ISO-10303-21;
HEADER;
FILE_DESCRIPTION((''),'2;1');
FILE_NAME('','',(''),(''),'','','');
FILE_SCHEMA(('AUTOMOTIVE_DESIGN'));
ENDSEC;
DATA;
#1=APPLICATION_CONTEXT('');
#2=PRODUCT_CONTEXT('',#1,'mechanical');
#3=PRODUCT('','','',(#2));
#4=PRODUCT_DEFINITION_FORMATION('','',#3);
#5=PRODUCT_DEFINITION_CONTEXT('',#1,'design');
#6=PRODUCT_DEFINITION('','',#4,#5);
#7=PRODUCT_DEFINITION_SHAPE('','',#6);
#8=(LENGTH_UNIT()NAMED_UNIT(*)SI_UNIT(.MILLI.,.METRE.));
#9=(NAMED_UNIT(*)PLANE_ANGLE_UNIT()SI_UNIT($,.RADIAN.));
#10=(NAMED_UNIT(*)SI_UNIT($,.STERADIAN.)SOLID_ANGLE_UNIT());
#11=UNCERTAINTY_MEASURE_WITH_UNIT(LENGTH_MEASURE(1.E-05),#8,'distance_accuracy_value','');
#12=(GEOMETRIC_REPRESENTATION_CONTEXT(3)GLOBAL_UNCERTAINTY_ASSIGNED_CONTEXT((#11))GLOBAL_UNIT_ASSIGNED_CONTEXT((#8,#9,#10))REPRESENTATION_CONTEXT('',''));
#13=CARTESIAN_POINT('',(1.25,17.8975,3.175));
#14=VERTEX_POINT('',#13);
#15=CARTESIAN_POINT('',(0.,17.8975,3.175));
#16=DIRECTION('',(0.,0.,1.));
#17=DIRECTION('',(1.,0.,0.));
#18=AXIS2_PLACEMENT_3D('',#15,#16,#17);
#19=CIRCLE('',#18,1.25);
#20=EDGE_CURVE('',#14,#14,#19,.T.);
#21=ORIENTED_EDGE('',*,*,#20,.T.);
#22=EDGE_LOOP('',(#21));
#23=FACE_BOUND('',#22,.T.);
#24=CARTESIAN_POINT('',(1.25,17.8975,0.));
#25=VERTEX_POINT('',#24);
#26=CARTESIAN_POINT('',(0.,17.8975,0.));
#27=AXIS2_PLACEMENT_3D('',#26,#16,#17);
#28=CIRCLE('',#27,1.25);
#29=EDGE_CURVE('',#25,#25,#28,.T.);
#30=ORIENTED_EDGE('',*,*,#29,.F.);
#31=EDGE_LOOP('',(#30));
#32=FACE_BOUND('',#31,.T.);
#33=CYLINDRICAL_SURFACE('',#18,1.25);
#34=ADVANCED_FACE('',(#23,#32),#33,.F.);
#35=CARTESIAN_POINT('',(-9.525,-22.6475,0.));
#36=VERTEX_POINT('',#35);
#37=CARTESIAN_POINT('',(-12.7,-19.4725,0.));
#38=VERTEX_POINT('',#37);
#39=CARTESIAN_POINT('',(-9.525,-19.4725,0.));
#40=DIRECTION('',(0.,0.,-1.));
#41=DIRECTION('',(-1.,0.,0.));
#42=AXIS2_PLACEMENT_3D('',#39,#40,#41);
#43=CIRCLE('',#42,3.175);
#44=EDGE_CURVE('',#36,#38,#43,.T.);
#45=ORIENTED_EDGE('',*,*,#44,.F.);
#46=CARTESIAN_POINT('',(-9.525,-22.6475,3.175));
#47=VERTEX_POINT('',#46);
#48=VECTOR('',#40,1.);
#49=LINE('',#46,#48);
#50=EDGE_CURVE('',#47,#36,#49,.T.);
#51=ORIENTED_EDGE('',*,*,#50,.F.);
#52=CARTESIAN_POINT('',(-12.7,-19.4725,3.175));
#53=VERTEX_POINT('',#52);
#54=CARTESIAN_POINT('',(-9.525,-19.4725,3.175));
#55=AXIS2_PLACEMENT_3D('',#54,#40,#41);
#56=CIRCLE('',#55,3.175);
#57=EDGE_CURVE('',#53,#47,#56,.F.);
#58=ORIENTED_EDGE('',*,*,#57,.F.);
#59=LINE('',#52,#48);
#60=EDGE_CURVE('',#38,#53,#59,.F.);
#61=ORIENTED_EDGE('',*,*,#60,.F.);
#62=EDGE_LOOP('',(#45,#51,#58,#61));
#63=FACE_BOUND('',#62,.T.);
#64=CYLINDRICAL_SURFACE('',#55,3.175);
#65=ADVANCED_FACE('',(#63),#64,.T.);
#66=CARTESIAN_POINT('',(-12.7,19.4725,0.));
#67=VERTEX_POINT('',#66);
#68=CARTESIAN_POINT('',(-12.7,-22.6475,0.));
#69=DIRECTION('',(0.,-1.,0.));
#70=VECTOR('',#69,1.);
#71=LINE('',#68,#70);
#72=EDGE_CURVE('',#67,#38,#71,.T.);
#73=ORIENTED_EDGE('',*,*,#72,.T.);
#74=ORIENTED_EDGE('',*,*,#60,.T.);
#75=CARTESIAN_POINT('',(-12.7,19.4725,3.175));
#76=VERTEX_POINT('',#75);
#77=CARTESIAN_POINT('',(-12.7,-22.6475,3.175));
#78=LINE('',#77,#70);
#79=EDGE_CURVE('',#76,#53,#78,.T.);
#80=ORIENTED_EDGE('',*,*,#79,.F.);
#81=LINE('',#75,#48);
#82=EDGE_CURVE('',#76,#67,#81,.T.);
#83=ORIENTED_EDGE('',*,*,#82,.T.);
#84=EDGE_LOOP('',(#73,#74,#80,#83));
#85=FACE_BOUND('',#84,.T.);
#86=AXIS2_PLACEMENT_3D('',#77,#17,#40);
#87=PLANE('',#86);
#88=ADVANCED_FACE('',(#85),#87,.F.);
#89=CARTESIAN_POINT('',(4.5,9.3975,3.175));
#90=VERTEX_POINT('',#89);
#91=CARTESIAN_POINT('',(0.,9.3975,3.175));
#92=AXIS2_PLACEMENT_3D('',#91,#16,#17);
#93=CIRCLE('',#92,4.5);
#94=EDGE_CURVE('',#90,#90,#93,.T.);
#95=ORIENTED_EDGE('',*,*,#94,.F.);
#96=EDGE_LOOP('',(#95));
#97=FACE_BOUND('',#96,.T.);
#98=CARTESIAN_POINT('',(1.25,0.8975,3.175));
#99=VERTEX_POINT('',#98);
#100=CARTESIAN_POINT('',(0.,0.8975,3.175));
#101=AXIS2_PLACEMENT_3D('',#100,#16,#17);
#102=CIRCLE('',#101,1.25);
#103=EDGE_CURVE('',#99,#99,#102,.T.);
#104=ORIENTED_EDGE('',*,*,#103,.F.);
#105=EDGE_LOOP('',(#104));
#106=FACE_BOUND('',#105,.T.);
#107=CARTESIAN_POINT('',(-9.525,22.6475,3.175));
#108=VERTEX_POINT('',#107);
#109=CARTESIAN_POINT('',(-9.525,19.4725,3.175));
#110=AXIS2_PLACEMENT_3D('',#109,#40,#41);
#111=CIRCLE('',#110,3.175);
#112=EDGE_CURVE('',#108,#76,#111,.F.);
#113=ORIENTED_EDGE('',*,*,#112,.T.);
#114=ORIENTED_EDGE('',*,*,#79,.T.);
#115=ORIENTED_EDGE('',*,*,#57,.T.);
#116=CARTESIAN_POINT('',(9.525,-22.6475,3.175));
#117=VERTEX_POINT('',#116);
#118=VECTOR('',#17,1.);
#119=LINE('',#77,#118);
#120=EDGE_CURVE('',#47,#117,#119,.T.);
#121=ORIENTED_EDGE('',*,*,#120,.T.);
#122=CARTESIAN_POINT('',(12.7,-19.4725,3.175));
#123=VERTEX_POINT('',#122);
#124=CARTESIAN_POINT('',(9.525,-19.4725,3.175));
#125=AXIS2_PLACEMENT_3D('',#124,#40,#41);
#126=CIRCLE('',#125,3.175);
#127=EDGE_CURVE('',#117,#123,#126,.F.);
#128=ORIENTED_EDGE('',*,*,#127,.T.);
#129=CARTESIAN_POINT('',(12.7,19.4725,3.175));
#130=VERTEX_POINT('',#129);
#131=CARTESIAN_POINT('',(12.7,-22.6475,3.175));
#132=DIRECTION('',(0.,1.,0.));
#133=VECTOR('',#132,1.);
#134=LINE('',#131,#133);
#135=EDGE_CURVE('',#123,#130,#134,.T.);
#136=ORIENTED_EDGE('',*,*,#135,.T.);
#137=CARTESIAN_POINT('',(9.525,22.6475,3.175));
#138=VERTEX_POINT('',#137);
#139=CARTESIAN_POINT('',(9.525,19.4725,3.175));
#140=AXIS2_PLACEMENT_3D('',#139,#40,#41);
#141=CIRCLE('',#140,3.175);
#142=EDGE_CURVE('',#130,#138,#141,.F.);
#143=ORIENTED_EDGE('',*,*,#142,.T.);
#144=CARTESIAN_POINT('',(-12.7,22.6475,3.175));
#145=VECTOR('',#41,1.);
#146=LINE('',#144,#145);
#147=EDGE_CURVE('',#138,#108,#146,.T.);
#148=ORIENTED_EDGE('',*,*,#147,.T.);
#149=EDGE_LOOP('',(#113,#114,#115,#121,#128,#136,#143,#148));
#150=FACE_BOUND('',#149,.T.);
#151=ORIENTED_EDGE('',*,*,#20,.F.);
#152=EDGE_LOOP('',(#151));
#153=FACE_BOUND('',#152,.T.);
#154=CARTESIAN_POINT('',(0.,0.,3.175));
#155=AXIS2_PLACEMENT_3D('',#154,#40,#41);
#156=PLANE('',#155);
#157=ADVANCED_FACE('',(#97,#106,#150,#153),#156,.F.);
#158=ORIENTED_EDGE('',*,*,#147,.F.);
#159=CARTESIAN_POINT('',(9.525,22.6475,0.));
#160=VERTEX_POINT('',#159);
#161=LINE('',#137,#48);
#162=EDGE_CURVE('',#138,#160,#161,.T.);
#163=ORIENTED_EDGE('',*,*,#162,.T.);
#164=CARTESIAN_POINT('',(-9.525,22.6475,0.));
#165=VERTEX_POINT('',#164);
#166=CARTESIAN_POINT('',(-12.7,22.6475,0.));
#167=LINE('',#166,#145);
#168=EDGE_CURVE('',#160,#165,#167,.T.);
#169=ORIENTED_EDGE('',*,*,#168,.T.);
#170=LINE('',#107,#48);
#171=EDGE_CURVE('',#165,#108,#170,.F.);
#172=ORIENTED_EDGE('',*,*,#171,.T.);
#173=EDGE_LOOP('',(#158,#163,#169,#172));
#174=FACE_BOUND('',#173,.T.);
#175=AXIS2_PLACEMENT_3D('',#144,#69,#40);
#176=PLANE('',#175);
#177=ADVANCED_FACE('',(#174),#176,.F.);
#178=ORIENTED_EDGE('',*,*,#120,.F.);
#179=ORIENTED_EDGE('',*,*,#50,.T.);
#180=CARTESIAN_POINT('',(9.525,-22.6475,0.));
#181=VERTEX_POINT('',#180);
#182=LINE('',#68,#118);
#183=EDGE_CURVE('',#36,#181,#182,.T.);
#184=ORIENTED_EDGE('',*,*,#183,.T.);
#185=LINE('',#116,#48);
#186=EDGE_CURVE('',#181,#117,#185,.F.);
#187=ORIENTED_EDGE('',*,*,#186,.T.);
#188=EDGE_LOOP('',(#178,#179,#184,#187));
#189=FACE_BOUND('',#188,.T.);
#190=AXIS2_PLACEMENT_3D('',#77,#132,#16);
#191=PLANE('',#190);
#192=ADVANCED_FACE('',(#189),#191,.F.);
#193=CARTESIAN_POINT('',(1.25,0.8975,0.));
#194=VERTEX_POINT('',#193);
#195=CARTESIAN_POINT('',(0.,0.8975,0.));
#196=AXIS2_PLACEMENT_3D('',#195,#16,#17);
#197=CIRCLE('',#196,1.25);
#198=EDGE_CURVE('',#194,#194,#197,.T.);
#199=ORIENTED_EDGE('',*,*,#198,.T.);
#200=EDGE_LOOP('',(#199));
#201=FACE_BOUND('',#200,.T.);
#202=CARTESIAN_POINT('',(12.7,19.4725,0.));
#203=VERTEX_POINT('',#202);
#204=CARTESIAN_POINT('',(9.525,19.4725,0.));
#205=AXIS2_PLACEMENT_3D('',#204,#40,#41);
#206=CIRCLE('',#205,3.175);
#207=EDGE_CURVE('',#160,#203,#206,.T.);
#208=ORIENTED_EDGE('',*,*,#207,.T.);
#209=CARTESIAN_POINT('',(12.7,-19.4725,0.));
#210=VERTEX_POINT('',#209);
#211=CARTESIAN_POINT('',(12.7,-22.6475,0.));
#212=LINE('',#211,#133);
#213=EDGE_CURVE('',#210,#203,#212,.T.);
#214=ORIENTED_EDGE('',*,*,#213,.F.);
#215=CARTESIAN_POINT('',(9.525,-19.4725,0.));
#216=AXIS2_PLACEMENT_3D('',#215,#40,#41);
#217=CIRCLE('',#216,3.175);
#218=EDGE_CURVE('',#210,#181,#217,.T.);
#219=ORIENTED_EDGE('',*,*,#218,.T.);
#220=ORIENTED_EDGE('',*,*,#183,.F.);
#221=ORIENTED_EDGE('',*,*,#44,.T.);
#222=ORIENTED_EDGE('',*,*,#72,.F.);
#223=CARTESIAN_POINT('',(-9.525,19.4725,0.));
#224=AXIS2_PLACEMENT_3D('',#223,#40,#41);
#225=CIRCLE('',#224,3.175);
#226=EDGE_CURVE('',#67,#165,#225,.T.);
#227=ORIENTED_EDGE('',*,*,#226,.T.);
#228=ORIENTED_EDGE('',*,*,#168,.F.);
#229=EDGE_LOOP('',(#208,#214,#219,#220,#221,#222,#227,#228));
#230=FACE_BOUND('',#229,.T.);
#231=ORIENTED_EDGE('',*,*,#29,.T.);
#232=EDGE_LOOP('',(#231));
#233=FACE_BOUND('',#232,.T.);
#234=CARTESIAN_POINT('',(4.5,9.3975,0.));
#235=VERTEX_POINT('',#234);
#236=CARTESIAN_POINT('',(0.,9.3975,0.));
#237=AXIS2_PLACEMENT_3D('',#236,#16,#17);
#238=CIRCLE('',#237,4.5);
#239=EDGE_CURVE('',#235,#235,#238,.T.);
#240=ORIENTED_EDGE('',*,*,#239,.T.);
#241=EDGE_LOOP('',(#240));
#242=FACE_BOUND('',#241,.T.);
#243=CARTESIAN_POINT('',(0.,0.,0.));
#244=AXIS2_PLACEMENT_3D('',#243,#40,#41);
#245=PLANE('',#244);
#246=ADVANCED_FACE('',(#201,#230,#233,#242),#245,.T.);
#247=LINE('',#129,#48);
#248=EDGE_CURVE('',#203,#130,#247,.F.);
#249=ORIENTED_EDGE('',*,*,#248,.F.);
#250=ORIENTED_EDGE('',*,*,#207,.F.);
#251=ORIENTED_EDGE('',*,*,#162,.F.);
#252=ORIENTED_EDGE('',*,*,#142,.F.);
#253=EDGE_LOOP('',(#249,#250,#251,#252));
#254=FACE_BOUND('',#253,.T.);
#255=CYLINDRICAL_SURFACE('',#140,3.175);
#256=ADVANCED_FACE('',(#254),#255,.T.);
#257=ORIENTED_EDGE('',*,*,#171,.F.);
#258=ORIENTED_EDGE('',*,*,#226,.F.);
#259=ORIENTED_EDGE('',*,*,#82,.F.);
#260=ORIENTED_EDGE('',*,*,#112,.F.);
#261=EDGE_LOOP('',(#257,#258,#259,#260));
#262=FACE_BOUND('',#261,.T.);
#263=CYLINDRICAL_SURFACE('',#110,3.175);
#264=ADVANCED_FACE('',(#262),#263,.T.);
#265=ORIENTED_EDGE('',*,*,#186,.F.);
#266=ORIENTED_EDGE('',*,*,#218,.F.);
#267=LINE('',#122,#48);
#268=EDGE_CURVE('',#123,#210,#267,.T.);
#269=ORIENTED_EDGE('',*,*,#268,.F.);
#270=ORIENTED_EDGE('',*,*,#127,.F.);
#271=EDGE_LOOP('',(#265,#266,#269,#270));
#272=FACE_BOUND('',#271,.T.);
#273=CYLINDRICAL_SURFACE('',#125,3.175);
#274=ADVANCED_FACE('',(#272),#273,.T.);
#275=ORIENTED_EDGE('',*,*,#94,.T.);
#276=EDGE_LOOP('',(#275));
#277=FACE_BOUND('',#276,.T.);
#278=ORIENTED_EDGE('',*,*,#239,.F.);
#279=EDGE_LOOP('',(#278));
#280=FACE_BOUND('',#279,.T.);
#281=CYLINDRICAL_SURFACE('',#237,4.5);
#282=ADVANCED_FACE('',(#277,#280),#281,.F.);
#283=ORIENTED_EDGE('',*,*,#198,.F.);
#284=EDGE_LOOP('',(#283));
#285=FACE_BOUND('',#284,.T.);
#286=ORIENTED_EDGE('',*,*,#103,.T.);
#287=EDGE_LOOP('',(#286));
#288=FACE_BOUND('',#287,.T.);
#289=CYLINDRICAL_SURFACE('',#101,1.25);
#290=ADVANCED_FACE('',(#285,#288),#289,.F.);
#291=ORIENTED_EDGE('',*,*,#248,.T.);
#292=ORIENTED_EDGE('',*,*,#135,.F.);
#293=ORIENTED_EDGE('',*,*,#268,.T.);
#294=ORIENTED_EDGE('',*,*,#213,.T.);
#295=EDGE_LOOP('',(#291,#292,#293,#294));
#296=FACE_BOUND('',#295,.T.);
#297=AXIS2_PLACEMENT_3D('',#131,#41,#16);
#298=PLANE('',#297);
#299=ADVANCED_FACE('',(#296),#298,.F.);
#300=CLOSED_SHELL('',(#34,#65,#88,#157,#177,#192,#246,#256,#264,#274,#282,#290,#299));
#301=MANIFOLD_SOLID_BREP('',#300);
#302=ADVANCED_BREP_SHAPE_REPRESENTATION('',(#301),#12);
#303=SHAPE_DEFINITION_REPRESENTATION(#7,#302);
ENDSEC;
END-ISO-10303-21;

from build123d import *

# Parameters (mm, degrees)
SKETCH1_W             = 25.4
SKETCH1_H             = 45.295
BOSS_EXTRUDE1_DEPTH   = 3.175
SKETCH2_R             = 4.5
CUT_EXTRUDE1_DEPTH    = 27.158743878
M3X0_5_TAPPED_HOLE1_D = 2.5
FILLET1_R             = 3.175


with BuildPart() as part:
    # Sketch1 → Boss-Extrude1 (new body)
    with BuildSketch(Plane.XY):
        Rectangle(SKETCH1_W, SKETCH1_H)
    extrude(amount=BOSS_EXTRUDE1_DEPTH)

    # Sketch2 → Cut-Extrude1 (cut, through all)
    with BuildSketch(Plane.XY.offset(3.175)):
        with Locations((0, 9.3975)):
            Circle(SKETCH2_R)
    extrude(amount=-CUT_EXTRUDE1_DEPTH, mode=Mode.SUBTRACT)

    # M3x0.5 Tapped Hole1 (through all)
    with Locations(Plane.XY.offset(3.175)):
        with Locations((0, 17.8975), (0, 0.8975)):
            Hole(M3X0_5_TAPPED_HOLE1_D / 2)

    # Fillet1
    fillet1_edges = [part.edges().sort_by_distance(p)[0] for p in [
        (12.7, -22.6475, 1.5875),
        (-12.7, -22.6475, 1.5875),
        (-12.7, 22.6475, 1.5875),
        (12.7, 22.6475, 1.5875),
    ]]
    fillet(fillet1_edges, radius=FILLET1_R)


solid = part.part
